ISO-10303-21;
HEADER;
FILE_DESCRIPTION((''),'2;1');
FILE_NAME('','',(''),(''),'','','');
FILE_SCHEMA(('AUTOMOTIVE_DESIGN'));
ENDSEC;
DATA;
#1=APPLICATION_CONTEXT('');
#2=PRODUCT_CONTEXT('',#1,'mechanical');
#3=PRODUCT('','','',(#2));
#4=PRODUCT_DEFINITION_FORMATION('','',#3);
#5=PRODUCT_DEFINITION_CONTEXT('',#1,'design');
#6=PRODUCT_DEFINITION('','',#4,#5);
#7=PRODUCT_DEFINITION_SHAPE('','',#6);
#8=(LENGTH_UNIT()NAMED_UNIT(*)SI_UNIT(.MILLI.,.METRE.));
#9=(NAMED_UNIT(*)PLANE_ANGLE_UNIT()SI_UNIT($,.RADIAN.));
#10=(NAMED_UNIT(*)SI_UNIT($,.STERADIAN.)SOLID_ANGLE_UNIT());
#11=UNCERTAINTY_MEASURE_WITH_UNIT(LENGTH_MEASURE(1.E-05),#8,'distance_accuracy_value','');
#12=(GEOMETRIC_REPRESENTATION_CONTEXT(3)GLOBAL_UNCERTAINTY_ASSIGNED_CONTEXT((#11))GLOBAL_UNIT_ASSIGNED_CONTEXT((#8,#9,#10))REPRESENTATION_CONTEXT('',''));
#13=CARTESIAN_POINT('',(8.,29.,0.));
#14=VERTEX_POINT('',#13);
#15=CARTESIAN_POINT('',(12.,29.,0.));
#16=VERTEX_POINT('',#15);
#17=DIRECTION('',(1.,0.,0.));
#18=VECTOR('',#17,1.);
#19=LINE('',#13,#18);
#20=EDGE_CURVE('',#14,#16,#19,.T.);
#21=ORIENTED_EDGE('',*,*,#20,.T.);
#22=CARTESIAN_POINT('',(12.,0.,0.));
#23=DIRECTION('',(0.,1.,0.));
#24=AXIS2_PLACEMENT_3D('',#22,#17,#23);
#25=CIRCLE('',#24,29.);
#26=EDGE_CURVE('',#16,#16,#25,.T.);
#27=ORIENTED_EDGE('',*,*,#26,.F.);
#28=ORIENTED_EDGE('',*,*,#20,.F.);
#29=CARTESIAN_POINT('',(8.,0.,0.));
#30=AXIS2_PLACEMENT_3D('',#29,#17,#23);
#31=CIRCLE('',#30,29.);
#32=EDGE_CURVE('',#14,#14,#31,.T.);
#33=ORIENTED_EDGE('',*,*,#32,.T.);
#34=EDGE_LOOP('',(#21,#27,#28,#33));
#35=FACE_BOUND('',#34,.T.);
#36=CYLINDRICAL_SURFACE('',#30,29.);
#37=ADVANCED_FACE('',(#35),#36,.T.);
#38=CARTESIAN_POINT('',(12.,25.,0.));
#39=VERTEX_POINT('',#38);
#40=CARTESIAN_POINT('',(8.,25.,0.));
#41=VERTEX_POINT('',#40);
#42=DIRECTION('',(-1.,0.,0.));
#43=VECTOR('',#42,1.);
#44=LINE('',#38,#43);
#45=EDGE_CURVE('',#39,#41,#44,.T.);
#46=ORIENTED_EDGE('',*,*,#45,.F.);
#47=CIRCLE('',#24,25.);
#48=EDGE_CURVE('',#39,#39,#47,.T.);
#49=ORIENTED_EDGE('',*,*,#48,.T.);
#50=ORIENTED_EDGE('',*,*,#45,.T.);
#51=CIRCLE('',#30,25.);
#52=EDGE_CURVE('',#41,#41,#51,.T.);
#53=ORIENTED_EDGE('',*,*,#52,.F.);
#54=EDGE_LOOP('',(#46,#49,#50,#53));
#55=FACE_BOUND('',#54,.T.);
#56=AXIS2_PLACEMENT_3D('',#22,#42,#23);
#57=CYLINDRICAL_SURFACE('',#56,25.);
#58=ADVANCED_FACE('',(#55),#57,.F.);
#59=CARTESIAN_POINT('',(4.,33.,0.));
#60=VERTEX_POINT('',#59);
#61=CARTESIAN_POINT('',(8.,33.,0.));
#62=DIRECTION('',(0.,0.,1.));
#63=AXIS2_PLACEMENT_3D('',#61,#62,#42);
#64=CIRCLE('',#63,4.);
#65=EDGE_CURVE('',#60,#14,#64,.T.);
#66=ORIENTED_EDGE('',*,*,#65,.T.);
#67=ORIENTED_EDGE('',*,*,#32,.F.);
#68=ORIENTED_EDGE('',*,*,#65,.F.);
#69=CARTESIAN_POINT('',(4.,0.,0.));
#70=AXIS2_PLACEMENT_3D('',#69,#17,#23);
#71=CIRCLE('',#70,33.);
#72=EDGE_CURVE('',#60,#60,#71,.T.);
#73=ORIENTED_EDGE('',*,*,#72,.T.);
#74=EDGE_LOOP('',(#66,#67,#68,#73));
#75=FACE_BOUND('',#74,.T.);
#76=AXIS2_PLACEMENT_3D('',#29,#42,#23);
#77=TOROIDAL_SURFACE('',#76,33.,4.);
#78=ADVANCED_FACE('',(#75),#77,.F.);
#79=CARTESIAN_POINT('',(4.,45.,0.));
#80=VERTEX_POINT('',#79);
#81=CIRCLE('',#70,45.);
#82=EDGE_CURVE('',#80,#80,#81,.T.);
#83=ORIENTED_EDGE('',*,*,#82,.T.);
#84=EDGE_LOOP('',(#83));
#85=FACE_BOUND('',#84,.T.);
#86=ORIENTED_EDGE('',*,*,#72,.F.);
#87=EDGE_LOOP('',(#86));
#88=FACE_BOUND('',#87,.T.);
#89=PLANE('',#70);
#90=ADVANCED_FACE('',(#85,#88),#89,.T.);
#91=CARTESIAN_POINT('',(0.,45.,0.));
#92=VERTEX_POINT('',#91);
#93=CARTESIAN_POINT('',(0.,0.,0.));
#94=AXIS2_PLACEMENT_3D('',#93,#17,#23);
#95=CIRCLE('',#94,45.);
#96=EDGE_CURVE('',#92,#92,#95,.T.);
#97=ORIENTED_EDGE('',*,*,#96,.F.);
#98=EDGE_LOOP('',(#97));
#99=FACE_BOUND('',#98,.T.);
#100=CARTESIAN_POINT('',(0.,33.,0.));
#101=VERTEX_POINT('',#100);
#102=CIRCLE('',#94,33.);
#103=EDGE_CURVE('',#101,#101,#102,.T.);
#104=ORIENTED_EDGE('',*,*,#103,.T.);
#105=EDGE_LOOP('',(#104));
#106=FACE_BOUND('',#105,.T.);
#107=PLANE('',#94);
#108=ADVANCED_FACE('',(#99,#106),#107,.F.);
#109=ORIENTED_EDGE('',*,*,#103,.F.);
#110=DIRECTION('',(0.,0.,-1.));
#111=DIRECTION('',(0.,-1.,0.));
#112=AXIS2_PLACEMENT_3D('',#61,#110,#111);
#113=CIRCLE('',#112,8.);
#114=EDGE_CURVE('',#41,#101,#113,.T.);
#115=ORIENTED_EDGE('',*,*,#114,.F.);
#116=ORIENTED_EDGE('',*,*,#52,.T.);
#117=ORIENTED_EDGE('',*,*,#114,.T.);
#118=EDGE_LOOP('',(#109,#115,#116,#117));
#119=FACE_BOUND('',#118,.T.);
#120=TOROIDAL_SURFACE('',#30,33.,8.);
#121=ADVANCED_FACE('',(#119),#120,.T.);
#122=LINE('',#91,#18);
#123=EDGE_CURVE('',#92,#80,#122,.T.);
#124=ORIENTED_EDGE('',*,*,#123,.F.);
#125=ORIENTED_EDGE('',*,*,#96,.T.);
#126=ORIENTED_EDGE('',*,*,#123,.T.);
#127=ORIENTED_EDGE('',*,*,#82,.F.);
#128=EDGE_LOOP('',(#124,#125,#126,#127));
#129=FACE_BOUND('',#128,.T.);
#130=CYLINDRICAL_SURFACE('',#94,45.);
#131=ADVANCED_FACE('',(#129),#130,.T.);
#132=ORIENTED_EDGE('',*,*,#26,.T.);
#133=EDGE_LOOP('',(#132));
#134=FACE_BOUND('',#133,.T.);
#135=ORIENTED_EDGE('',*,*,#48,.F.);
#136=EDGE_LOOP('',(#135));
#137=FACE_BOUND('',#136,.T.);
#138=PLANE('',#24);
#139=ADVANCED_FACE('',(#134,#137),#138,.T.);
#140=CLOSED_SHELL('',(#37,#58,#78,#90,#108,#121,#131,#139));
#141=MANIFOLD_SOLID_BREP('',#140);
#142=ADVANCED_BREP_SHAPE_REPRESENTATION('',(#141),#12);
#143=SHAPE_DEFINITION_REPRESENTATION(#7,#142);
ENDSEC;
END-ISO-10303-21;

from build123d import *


with BuildPart() as part:
    # Sketch1 → Revolve1 (revolve)
    with BuildSketch(Plane.XY):
        with BuildLine():
            Line((0, 45), (4, 45))
            Line((4, 45), (4, 33))
            ThreePointArc((4, 33), (5.171572875, 30.171572875), (8, 29))
            Line((8, 29), (12, 29))
            Line((12, 29), (12, 25))
            Line((12, 25), (8, 25))
            ThreePointArc((8, 25), (2.343145751, 27.343145751), (0, 33))
            Line((0, 33), (0, 45))
        make_face()
    revolve(axis=Axis((0, 0, 0), (1, 0, 0)))


solid = part.part
